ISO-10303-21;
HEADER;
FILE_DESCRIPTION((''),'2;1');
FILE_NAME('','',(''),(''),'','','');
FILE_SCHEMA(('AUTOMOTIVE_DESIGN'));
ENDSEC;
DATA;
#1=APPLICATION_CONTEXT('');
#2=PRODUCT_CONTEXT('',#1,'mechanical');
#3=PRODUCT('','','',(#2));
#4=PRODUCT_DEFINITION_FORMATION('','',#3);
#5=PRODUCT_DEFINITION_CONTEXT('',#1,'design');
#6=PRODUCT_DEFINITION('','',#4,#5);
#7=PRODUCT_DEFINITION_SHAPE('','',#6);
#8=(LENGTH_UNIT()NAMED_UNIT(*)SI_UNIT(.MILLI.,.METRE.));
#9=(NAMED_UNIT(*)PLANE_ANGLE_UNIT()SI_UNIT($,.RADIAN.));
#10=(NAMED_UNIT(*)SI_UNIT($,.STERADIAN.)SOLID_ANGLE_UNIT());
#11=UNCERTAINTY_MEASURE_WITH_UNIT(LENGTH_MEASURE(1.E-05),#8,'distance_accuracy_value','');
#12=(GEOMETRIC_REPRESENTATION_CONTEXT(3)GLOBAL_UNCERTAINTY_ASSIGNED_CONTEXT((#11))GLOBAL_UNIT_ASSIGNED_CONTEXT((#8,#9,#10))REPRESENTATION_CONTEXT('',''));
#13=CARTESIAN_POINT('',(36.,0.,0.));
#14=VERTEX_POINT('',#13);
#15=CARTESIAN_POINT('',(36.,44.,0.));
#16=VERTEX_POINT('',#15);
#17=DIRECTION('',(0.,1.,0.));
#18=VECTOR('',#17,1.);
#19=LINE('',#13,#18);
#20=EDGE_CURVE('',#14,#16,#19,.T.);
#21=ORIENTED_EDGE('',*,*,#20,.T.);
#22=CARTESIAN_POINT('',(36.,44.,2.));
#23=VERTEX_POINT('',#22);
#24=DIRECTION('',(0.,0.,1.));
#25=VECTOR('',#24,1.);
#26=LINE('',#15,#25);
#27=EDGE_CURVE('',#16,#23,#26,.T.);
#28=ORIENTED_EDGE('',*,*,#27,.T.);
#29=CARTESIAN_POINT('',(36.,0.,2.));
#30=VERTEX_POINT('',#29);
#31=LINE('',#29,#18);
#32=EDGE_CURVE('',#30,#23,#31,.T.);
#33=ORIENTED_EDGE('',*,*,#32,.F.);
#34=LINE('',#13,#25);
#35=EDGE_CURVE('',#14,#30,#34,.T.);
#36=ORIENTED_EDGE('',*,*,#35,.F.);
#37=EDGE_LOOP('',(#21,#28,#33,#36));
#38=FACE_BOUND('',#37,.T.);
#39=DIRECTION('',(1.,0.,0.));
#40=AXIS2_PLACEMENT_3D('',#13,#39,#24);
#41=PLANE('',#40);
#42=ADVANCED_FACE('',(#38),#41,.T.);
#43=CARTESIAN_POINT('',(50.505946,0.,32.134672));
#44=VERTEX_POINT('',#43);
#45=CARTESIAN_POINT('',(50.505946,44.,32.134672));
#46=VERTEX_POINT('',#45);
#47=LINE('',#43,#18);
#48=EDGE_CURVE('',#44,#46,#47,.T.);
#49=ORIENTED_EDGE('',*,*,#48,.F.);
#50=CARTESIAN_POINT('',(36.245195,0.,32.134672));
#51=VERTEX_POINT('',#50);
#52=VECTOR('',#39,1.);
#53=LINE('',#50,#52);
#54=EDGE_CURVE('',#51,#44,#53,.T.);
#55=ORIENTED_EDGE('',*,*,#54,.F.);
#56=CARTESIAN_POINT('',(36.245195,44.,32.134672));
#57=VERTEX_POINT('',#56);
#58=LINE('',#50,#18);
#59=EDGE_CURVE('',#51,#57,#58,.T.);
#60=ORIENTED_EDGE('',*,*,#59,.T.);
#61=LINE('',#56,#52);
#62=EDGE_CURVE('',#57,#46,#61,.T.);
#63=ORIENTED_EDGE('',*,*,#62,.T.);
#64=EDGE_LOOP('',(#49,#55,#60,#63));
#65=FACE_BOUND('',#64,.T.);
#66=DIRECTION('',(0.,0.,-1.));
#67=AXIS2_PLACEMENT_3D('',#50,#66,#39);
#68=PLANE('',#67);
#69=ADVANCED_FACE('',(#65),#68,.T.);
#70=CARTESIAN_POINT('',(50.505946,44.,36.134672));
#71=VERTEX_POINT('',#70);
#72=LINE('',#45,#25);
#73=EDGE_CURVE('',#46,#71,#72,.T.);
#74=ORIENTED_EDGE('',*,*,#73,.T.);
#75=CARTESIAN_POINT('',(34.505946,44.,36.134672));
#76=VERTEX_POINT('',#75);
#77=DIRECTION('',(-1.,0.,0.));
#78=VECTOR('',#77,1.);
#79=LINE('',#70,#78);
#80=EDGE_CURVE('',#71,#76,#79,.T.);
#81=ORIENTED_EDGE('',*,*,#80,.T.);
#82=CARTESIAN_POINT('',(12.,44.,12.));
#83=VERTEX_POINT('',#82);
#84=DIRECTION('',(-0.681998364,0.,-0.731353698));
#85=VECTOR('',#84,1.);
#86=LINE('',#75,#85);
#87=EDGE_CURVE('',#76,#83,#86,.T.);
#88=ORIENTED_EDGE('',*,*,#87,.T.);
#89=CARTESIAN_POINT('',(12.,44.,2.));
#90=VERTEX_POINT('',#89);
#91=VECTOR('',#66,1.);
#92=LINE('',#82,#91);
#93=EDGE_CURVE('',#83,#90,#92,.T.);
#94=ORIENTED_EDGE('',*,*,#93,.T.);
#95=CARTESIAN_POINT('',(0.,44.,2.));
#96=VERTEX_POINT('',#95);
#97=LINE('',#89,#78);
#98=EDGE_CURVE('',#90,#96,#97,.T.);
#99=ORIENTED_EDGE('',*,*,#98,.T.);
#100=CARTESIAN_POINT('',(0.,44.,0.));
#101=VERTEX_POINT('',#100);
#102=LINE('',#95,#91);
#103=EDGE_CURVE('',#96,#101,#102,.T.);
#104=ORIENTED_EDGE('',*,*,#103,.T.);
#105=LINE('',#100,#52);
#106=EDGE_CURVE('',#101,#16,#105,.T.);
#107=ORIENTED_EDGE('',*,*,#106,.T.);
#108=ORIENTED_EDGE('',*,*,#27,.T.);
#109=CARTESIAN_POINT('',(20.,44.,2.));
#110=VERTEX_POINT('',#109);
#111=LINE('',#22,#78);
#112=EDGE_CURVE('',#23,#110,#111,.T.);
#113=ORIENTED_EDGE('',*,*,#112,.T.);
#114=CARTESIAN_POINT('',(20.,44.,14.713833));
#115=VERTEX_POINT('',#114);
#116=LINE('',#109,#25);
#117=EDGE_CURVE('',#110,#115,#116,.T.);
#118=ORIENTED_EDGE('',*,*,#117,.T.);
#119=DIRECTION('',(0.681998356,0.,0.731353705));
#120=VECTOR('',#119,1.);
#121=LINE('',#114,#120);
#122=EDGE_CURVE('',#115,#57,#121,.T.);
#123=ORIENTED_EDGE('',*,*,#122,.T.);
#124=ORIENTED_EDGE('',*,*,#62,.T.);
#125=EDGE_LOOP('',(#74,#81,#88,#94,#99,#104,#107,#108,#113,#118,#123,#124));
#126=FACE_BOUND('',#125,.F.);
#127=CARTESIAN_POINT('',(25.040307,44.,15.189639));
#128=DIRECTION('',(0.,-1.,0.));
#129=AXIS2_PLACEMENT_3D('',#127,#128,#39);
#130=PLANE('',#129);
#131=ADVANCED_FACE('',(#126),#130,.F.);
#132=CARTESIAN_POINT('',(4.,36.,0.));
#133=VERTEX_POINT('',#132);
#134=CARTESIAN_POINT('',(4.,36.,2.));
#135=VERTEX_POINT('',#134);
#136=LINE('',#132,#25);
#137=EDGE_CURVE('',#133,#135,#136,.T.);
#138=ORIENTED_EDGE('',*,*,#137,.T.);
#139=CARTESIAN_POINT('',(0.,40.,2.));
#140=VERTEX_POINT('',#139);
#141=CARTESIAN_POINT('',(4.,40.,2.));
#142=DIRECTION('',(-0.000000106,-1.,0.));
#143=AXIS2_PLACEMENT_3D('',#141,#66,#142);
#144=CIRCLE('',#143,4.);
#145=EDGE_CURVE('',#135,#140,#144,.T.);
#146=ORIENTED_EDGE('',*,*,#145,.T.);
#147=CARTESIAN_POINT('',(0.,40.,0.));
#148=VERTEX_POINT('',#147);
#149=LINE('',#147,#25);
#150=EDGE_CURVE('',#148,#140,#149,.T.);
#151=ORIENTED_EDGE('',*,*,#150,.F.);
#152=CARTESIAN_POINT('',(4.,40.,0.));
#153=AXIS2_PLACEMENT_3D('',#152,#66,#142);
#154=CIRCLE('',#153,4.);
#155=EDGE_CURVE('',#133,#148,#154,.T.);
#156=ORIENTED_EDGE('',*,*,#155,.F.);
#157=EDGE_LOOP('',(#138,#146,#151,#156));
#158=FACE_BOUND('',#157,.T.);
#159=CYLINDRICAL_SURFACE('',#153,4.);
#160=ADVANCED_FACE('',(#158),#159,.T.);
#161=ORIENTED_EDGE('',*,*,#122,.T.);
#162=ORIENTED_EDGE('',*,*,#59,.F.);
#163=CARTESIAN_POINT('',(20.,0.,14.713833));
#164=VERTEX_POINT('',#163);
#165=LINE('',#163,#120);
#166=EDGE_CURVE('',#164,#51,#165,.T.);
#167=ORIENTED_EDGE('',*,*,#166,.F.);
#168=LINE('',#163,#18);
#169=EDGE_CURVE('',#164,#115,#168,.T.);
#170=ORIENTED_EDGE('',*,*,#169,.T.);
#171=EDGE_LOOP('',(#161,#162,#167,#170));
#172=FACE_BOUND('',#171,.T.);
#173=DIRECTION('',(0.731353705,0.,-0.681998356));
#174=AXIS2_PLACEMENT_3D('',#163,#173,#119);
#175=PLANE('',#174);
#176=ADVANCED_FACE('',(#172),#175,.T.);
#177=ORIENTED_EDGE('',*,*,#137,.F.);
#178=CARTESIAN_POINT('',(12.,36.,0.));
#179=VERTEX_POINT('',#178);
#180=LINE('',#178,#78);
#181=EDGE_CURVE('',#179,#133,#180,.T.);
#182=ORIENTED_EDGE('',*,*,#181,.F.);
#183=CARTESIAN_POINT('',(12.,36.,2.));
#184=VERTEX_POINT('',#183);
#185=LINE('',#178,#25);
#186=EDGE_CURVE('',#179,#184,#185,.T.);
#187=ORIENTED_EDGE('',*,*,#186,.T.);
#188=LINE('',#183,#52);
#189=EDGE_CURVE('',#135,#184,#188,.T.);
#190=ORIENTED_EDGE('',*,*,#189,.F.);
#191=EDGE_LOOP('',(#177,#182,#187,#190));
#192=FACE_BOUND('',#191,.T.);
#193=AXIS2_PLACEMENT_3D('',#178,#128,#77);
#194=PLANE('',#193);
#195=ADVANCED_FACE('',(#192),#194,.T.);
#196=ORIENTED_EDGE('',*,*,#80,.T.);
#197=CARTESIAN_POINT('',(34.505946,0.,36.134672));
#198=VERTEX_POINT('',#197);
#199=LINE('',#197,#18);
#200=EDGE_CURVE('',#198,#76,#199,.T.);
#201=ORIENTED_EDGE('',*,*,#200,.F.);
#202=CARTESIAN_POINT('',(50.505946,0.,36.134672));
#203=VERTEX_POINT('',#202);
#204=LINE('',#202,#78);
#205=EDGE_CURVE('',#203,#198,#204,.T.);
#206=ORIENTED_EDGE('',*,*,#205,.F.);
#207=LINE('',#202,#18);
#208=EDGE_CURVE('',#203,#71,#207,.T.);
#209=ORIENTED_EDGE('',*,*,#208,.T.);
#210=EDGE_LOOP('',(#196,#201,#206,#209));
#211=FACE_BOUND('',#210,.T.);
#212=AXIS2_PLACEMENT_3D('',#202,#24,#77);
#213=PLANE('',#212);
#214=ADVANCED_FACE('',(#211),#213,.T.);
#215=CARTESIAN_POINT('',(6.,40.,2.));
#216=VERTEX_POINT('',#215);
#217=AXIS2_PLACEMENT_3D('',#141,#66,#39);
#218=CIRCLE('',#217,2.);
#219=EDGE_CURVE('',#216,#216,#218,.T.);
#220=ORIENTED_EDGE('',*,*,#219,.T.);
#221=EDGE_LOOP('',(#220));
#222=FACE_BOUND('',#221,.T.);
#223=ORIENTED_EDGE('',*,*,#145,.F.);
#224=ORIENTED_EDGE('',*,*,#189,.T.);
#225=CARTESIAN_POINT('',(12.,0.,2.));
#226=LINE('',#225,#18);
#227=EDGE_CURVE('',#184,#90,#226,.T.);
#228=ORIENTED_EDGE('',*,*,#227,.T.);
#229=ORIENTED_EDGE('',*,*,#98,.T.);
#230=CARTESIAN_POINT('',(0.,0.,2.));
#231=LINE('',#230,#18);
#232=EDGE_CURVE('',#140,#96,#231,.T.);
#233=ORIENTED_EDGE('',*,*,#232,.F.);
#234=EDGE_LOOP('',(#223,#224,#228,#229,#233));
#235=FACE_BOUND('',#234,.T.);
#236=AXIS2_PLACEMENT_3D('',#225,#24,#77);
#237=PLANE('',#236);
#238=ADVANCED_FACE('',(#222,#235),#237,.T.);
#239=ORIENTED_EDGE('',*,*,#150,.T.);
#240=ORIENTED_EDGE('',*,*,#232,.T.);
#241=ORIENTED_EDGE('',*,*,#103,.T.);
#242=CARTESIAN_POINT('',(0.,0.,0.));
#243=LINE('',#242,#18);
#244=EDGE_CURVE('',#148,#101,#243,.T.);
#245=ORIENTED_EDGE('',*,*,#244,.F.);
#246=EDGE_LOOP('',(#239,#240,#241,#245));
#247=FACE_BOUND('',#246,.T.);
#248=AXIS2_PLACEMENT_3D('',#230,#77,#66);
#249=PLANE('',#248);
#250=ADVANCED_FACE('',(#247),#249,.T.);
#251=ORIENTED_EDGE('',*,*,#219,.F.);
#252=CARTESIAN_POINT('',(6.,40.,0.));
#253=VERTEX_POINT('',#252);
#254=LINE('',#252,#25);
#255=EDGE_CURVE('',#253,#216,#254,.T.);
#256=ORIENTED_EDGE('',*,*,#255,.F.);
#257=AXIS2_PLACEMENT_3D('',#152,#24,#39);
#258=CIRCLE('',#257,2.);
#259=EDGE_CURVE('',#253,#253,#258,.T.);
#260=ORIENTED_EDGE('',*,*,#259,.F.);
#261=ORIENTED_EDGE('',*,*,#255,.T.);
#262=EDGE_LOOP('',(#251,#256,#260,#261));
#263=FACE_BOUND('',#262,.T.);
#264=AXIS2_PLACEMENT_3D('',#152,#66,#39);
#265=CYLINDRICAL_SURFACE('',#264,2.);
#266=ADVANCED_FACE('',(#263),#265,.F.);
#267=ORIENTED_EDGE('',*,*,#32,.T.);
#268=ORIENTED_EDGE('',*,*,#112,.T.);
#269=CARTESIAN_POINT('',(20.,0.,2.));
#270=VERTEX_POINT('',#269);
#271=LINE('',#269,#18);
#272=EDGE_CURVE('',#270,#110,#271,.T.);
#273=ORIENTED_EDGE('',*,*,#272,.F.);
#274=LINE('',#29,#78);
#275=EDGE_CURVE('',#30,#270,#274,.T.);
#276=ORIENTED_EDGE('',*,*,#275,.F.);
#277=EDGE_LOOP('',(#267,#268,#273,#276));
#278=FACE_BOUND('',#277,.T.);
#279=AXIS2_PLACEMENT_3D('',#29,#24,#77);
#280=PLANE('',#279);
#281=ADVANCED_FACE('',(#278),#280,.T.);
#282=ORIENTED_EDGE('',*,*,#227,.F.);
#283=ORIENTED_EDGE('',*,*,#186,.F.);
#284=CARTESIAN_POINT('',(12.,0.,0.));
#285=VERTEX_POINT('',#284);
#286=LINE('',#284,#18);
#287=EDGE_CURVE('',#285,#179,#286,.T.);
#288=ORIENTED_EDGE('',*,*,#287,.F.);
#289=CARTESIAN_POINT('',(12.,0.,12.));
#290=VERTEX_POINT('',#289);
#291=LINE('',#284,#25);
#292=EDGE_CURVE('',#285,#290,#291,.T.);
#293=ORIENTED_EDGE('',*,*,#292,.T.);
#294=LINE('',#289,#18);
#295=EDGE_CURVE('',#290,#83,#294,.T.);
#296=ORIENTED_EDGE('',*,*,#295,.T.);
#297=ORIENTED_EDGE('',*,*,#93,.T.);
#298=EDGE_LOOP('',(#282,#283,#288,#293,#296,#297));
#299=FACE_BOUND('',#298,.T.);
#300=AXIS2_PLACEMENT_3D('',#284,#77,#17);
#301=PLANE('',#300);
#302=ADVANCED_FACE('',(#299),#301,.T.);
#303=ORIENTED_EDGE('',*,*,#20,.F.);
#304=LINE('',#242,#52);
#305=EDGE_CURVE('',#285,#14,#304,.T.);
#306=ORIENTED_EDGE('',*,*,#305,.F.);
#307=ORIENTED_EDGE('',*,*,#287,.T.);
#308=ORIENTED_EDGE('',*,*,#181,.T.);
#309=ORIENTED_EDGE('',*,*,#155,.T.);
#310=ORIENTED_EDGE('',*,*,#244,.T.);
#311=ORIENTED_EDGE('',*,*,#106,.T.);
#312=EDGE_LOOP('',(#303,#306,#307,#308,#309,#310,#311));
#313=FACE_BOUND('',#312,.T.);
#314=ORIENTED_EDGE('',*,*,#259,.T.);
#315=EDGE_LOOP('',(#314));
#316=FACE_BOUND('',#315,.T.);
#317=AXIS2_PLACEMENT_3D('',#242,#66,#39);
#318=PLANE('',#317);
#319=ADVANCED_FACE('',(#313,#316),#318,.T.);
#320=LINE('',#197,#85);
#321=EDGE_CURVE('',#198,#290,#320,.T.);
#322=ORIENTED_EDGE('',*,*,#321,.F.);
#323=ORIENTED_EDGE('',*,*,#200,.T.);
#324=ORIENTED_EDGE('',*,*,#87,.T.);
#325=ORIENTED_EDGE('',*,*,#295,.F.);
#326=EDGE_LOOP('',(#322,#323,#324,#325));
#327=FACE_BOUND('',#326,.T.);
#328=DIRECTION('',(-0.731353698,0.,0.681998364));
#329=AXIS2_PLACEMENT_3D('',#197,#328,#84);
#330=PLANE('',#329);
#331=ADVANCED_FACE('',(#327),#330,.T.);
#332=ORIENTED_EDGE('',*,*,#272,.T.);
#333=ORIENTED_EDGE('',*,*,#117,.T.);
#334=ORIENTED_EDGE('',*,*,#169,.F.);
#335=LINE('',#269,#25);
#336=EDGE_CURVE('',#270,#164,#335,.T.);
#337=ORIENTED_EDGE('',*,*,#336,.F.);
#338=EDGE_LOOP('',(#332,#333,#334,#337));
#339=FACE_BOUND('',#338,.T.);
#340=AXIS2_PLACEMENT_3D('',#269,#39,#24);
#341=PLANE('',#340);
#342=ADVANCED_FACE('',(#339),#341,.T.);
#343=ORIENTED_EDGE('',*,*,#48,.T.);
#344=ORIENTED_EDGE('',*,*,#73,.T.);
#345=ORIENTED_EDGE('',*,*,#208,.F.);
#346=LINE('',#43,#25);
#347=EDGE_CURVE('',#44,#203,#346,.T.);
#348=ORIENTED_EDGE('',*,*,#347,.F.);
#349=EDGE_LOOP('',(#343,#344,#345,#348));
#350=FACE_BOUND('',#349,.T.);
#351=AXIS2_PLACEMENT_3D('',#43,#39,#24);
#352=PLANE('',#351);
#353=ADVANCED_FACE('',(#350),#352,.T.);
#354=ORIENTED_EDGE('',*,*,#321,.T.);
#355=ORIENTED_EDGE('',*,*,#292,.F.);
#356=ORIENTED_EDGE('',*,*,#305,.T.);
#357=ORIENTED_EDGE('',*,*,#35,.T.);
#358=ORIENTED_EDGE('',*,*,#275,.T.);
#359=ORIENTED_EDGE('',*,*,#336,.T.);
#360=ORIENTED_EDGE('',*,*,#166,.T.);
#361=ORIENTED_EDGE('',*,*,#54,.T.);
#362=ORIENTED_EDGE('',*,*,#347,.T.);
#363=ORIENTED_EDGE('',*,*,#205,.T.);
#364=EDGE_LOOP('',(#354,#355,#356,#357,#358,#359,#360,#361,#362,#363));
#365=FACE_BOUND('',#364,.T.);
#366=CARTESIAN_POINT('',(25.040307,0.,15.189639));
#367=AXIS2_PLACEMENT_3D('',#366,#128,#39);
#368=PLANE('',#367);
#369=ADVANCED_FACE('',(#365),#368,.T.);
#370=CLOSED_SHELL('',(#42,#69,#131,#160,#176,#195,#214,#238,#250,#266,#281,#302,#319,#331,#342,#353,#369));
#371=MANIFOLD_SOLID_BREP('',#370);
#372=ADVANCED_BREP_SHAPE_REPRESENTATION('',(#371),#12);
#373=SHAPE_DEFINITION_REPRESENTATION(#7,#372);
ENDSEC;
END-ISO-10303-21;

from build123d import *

# Parameters (mm, degrees)
F1_DEPTH = 44
F2_R     = 2
F3_DEPTH = 25


with BuildPart() as f1:
    # F0 (on Front) → F1 (new body)
    with BuildSketch(Plane.XZ):
        Polygon((0, 2), (0, 0), (36, 0), (36, 2), (20, 2), (20, 14.713833), (36.245195, 32.134672), (50.505946, 32.134672), (50.505946, 36.134672), (34.505946, 36.134672), (12, 12), (12, 2), align=None)
    extrude(amount=-F1_DEPTH)

    # F2 (on Top) → F3 (cut)
    with BuildSketch(Plane.XY):
        with Locations((4, 40)):
            Circle(F2_R)
        with BuildLine():
            Line((12, 0), (12, 36))
            Line((12, 36), (4, 36))
            ThreePointArc((4, 36), (1.171573, 37.171573), (0, 40))
            Line((0, 40), (0, 0))
            Line((0, 0), (12, 0))
        make_face()
    extrude(amount=F3_DEPTH, mode=Mode.SUBTRACT)


solid = f1.part
